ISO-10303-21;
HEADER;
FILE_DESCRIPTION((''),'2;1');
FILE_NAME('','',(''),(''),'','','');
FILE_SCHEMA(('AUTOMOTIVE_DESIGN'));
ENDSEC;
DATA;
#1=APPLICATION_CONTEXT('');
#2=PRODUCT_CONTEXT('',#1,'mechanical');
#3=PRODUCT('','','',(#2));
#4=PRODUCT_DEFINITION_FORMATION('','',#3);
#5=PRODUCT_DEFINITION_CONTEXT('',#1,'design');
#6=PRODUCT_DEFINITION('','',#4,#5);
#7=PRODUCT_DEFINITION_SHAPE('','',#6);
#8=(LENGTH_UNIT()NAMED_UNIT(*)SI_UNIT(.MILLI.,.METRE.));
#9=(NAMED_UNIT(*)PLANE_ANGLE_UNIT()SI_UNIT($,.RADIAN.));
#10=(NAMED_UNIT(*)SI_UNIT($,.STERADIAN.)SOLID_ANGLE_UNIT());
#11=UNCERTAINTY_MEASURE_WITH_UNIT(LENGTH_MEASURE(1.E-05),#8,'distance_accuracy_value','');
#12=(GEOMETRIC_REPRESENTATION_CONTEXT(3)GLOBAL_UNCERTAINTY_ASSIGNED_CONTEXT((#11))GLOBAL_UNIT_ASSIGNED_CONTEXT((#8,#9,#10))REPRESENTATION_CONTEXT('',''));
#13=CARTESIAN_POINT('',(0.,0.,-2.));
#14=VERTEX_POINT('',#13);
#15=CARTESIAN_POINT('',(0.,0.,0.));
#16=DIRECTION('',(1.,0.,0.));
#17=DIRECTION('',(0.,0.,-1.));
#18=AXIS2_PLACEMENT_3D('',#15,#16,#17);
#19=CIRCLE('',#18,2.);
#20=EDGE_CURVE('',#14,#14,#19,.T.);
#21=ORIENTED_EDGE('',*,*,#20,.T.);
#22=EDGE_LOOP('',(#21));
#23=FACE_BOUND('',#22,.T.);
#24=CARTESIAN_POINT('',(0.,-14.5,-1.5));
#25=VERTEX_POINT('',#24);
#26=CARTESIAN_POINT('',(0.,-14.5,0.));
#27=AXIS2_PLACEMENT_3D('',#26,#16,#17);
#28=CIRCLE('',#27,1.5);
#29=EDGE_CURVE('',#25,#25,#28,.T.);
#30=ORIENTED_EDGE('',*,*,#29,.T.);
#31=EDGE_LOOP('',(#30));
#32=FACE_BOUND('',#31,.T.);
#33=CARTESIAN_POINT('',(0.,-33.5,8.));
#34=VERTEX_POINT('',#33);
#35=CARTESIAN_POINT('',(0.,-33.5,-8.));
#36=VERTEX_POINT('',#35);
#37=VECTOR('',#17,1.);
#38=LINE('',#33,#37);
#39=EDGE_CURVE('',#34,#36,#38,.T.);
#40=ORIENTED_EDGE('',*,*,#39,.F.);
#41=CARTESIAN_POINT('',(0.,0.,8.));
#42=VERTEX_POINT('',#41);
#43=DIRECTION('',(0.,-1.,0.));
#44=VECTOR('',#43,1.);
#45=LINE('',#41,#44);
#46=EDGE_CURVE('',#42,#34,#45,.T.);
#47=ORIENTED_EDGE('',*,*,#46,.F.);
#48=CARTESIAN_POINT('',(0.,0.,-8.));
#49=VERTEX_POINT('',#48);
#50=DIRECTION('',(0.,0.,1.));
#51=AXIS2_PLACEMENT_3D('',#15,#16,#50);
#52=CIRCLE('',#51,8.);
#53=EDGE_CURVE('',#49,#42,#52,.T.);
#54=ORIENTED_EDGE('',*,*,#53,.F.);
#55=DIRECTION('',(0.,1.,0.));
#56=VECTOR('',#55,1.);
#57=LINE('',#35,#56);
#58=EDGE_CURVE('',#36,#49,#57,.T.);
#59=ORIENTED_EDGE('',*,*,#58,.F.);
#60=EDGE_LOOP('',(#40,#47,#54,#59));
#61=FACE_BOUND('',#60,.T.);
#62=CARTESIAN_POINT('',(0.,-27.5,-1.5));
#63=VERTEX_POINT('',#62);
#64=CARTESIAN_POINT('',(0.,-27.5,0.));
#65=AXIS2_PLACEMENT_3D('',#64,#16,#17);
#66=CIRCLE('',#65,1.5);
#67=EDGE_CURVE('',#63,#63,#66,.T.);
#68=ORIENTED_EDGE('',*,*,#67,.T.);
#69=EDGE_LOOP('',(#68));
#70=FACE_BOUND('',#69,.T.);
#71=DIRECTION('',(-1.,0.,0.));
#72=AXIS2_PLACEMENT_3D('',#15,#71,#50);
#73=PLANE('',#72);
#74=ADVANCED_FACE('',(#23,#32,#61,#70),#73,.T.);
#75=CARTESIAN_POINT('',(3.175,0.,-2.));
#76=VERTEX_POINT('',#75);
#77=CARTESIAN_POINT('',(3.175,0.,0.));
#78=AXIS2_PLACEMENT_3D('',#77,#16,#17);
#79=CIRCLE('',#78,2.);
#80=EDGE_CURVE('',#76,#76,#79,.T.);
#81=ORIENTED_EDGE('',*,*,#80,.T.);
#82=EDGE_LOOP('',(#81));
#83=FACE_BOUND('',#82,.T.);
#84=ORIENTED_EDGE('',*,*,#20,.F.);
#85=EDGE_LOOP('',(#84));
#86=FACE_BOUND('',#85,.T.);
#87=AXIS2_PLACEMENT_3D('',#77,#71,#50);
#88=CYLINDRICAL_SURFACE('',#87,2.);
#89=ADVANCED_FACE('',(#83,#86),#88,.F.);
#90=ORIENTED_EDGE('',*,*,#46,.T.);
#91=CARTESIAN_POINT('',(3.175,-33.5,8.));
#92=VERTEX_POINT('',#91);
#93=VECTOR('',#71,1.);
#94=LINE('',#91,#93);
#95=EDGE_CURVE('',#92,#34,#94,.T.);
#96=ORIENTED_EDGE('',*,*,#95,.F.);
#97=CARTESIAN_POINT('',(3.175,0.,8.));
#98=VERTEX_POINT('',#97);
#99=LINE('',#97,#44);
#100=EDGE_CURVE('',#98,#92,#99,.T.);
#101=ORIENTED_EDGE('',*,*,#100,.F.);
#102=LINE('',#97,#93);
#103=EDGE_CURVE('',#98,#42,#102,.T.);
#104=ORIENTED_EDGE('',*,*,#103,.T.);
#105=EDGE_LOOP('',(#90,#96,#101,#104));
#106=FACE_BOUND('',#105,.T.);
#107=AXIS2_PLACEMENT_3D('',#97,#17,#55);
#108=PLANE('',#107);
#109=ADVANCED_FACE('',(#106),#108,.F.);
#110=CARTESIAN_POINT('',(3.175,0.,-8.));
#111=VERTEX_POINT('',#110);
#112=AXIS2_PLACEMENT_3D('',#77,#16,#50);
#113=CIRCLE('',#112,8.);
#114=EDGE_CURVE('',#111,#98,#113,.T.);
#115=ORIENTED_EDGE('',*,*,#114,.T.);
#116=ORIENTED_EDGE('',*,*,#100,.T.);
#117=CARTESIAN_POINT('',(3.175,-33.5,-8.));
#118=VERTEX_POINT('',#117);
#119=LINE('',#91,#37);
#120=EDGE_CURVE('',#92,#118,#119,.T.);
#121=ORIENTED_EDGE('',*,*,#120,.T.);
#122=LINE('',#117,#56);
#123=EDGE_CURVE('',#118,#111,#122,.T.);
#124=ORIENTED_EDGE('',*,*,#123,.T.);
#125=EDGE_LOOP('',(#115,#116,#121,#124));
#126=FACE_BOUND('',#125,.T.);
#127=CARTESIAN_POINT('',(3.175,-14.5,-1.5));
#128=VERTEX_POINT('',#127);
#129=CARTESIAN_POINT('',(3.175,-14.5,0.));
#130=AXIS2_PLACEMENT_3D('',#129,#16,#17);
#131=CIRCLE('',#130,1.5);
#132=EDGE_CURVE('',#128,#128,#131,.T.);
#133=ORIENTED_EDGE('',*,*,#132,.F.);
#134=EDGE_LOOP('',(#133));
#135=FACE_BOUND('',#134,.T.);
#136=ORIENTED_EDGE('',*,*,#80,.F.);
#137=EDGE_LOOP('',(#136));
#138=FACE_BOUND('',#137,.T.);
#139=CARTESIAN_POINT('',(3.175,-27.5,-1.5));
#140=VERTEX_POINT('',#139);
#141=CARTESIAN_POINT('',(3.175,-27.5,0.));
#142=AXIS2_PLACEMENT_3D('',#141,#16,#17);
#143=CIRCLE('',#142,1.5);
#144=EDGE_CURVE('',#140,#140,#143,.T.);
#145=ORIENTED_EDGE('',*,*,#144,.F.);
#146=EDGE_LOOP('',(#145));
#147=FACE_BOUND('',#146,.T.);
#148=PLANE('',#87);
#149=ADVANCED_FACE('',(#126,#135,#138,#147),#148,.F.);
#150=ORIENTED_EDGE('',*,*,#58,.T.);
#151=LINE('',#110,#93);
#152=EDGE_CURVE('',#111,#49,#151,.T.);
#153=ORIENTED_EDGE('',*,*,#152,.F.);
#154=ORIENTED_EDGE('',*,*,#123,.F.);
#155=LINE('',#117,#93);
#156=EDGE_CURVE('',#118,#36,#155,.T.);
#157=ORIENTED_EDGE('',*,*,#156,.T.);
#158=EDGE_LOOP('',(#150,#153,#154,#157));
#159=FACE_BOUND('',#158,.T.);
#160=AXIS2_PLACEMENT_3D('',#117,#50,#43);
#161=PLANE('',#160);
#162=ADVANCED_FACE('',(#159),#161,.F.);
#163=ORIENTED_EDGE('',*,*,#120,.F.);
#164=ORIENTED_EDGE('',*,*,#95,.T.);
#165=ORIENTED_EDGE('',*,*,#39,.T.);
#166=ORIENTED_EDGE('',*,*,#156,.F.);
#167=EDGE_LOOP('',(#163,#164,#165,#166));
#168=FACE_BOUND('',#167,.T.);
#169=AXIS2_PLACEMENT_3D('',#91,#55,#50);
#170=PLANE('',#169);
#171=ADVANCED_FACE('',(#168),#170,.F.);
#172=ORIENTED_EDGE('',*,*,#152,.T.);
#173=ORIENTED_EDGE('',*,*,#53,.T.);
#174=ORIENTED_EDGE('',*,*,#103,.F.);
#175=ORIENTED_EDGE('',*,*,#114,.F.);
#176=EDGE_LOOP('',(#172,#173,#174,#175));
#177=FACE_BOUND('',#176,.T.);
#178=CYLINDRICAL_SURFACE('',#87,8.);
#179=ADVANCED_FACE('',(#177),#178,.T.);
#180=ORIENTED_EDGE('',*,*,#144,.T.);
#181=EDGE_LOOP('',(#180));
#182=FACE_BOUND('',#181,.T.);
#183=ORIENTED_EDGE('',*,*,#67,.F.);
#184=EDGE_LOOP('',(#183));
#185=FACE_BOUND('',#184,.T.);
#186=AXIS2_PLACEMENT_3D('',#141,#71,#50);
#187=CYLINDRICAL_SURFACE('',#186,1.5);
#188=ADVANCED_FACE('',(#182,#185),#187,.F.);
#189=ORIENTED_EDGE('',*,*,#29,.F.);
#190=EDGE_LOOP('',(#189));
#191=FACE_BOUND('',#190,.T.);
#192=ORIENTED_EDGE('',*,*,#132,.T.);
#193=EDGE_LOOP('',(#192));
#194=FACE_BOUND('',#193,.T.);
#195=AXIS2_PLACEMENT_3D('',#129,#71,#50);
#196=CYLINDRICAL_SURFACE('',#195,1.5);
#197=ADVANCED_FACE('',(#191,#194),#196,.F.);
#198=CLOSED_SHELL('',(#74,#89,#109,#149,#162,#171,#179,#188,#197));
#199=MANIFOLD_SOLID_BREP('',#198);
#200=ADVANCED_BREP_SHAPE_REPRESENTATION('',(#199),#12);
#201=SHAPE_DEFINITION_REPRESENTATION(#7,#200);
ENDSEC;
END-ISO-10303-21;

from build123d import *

# Parameters (mm, degrees)
SKETCH1_R           = 2
SKETCH1_R_2         = 1.5
BOSS_EXTRUDE1_DEPTH = 3.175


with BuildPart() as part:
    # Sketch1 → Boss-Extrude1 (new body)
    with BuildSketch(Plane(origin=(0, 0, 0), x_dir=(0, 0, -1), z_dir=(1, 0, 0))):
        with BuildLine():
            Line((-8, 0), (-8, -33.5))
            Line((-8, -33.5), (8, -33.5))
            Line((8, -33.5), (8, 0))
            ThreePointArc((8, 0), (0, 8), (-8, 0))
        make_face()
        Circle(SKETCH1_R, mode=Mode.SUBTRACT)
        with Locations((0, -14.5)):
            Circle(SKETCH1_R_2, mode=Mode.SUBTRACT)
        with Locations((0, -27.5)):
            Circle(SKETCH1_R_2, mode=Mode.SUBTRACT)
    extrude(amount=BOSS_EXTRUDE1_DEPTH)


solid = part.part
